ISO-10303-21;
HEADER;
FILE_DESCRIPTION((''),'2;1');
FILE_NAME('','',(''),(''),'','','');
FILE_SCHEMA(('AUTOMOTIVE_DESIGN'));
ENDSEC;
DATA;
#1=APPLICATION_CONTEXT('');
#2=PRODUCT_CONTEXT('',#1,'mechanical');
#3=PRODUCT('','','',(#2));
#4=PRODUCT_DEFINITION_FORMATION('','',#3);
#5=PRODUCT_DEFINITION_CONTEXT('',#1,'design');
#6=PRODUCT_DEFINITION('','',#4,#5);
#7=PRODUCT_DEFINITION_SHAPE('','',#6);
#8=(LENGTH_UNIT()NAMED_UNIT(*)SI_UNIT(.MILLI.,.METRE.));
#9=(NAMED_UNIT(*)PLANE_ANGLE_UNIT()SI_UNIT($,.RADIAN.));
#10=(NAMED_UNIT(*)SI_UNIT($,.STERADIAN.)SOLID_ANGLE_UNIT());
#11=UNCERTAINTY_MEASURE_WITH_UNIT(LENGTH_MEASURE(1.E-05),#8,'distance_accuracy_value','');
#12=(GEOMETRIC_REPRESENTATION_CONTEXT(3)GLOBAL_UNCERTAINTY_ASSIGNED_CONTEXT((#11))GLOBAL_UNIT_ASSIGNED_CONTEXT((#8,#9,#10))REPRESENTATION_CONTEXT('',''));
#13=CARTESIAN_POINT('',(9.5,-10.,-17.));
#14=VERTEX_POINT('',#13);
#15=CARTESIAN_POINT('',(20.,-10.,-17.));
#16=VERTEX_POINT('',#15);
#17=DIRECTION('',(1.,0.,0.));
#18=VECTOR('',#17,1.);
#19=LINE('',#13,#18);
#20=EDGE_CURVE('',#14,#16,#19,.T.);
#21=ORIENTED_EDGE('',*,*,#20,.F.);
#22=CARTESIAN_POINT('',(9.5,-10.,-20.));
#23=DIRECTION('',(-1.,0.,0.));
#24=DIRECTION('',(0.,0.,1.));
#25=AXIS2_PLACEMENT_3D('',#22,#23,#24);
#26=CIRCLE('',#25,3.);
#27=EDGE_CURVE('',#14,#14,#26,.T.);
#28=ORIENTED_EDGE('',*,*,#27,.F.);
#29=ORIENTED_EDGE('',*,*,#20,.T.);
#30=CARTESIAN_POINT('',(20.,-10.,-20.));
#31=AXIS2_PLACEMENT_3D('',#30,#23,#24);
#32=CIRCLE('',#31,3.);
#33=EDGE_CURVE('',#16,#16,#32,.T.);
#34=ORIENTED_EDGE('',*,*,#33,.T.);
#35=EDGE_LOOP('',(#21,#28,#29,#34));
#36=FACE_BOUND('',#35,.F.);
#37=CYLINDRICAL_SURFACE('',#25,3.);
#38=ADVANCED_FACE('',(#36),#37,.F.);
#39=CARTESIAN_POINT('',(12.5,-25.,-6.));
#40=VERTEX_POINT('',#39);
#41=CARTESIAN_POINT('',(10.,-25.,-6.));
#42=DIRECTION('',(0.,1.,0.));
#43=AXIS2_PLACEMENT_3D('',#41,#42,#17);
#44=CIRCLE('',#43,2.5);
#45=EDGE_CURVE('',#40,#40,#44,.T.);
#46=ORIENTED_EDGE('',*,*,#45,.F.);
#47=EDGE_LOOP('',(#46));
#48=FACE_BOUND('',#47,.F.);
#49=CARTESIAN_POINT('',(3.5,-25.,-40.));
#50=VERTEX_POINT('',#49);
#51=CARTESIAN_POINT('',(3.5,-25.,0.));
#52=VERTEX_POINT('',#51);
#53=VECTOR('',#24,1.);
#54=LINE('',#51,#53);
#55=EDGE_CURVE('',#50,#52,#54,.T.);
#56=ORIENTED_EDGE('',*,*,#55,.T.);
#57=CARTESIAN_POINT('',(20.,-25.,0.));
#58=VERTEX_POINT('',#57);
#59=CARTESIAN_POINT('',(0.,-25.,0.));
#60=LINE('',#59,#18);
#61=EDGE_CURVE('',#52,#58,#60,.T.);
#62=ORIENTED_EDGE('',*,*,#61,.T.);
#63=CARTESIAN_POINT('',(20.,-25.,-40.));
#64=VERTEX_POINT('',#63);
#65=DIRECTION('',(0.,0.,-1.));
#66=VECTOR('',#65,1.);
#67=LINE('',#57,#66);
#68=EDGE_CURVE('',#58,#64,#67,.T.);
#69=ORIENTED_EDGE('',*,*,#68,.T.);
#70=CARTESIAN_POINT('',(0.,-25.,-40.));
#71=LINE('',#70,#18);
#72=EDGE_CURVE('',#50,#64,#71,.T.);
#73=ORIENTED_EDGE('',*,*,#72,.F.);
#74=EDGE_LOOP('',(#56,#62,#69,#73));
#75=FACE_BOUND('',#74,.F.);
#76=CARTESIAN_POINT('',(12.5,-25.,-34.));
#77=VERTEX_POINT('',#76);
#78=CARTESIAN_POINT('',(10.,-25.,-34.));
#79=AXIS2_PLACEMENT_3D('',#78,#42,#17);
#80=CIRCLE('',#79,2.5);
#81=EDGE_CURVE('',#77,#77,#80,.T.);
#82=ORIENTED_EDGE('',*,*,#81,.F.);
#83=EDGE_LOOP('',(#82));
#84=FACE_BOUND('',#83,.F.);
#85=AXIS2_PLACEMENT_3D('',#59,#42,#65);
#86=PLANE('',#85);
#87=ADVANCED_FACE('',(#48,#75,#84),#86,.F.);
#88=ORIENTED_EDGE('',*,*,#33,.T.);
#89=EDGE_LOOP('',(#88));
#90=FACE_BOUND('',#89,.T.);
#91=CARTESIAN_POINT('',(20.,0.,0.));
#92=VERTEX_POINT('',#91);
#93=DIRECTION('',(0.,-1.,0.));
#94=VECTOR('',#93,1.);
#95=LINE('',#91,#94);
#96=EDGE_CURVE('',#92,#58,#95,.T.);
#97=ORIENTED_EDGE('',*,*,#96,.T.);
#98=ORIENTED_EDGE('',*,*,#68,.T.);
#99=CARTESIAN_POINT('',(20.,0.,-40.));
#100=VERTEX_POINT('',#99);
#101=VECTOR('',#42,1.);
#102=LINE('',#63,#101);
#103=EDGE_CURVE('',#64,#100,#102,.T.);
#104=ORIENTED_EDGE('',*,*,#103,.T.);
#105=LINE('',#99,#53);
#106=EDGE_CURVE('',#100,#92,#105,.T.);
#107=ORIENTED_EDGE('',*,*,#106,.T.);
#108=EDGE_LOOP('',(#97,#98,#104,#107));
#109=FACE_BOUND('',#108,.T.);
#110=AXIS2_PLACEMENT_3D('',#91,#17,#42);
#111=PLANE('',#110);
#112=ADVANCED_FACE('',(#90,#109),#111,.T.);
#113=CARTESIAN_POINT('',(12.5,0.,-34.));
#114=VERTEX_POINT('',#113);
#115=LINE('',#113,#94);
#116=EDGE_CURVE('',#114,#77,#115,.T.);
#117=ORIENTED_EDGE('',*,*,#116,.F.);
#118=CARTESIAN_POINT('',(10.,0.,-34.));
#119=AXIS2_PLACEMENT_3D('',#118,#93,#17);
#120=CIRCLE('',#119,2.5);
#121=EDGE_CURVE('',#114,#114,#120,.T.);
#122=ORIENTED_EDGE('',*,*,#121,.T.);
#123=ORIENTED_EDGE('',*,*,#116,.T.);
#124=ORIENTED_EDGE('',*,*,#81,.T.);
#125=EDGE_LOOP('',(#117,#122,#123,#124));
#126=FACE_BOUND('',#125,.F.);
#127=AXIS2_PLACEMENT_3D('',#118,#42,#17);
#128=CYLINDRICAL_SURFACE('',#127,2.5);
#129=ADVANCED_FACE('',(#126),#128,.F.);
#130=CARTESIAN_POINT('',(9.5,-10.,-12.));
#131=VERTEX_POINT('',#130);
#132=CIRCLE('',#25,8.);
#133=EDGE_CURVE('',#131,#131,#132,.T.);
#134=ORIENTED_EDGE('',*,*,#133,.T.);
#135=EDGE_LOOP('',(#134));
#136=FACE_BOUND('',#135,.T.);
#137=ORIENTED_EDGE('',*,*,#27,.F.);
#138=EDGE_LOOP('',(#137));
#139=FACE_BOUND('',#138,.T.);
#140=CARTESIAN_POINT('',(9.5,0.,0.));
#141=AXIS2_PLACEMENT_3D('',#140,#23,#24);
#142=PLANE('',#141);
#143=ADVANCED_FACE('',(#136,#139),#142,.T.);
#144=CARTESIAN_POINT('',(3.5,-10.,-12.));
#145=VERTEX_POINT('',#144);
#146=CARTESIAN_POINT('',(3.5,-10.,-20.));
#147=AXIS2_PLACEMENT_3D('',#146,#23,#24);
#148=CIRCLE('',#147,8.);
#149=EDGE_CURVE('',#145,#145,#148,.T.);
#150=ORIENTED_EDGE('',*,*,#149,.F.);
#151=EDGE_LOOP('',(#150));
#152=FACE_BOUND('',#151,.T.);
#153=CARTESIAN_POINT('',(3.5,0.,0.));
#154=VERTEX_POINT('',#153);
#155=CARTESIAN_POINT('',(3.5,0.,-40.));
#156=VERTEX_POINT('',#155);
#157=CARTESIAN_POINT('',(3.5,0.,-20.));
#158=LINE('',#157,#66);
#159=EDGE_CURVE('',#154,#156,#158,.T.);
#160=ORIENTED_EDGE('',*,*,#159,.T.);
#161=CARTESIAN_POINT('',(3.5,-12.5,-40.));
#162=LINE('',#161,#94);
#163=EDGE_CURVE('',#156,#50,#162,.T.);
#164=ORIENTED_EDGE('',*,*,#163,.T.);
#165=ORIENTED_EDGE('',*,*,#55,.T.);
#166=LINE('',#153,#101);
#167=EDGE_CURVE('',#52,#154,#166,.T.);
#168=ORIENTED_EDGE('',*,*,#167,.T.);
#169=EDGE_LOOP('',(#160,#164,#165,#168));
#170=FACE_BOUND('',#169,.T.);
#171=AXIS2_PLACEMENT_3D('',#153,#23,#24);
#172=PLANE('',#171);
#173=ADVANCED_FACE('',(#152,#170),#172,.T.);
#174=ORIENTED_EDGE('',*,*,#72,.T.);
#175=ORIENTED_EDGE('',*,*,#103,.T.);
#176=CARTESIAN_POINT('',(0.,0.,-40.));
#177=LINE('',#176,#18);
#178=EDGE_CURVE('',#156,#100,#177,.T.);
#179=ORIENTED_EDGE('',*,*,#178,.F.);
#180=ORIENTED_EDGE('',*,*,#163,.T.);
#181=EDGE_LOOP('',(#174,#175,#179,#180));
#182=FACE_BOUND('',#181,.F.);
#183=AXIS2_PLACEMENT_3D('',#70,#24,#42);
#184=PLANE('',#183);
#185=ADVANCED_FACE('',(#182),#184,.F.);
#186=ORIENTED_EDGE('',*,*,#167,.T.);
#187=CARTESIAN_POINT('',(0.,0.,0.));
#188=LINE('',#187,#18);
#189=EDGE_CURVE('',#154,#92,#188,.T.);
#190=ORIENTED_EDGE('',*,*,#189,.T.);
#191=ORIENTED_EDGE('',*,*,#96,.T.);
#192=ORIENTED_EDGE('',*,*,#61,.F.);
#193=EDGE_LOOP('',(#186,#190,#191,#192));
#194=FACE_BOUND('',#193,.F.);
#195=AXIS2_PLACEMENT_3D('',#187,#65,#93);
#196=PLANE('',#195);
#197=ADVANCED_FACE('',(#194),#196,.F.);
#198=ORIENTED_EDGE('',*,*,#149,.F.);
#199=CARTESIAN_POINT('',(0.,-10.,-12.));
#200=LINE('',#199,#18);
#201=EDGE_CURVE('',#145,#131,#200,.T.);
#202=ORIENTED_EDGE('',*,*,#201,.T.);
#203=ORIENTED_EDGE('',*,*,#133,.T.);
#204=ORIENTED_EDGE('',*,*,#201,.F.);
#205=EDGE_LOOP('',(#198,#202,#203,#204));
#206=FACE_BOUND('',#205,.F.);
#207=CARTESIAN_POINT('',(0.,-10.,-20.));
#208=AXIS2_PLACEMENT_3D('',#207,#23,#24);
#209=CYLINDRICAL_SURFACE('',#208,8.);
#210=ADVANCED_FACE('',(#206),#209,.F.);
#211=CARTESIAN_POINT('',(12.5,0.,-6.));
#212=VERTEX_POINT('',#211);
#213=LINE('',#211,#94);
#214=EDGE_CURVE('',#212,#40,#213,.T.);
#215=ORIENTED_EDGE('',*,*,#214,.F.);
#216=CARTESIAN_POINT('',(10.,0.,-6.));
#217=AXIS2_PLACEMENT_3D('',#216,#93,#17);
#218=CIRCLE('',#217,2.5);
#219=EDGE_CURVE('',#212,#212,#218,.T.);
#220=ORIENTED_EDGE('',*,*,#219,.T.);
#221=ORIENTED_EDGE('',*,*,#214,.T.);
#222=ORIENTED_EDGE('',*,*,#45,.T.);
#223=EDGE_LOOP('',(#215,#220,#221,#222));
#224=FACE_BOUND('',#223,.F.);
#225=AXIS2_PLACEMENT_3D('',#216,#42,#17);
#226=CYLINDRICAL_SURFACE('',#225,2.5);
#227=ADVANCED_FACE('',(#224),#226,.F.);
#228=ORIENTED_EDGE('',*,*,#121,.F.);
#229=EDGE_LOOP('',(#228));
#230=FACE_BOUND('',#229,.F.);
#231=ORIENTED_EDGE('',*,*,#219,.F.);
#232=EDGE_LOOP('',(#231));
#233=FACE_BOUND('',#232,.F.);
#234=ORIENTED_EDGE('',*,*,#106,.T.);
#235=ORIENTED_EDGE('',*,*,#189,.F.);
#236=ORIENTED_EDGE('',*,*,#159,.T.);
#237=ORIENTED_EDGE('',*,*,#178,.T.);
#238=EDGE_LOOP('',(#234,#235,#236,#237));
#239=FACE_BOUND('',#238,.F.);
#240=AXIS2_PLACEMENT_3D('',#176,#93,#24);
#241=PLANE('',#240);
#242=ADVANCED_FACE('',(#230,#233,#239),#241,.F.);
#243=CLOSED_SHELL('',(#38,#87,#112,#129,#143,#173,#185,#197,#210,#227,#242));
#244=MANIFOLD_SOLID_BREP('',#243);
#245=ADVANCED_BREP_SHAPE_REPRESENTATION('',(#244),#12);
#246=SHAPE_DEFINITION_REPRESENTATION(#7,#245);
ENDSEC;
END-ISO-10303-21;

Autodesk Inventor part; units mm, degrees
ref_plane "YZ Plane" through (0, 0, 0) normal (1, 0, 0) x (0, 1, 0)
ref_plane "XZ Plane" through (0, 0, 0) normal (0, 1, 0) x (-1, 0, 0)
ref_plane "XY Plane" through (0, 0, 0) normal (0, 0, 1) x (1, 0, 0)
sketch "Sketch1" plane through (0, 0, 0) normal (1, 0, 0) x (0, 1, 0)
  line L0 (0, 0) -> (-25, 0)
  line L1 (-25, 0) -> (-25, -40)
  line L2 (-25, -40) -> (0, -40)
  line L3 (0, -40) -> (0, 0)
  dimension "d0" = 25
  dimension "d1" = 40
extrude "Extrusion1" add sketch "Sketch1" along normal blind 20
sketch "Sketch2" plane through (20, 0, 0) normal (1, 0, 0) x (0, 0, -1)
  line L0 (0, 0) -> (20, 0)
  line L1 (40, 0) -> (0, 0) projected
  line L2 (20, 0) -> (20, -10)
  circle A0 centre (20, -10) radius 2.5
  dimension "d4" = 20
  dimension "d5" = 10
  dimension "d6" = 5
extrude "Extrusion2" cut sketch "Sketch2" against normal blind 20
sketch "Sketch3" plane through (0, 0, 0) normal (0, 1, 0) x (1, 0, 0)
  line L0 (0, 0) -> (20, 0) projected
  line L1 (0, 0) -> (10, 0)
  line L2 (10, 0) -> (10, 6)
  line L3 (0, 40) -> (10, 40)
  line L4 (0, 40) -> (20, 40) projected
  line L5 (10, 40) -> (10, 34)
  circle A0 centre (10, 6) radius 2.5
  circle A1 centre (10, 34) radius 2.5
  dimension "d9" = 10
  dimension "d10" = 6
  dimension "d11" = 6
  dimension "d12" = 5
  dimension "d13" = 5
extrude "Extrusion3" cut sketch "Sketch3" against normal through all
sketch "Sketch4" plane through (0, 0, 0) normal (-1, 0, 0) x (0, 0, 1)
  circle A0 centre (-20, -10) radius 2.5 projected
  circle A1 centre (-20, -10) radius 8
  point P0 (0, 0)
  dimension "d16" = 16
extrude "Extrusion4" cut sketch "Sketch4" against normal blind 9.5
sketch "Sketch5" plane through (9.5, -10, -20) normal (-1, 0, 0) x (0, 0, 1)
  circle A0 centre (0, 0) radius 3
  point P0 (20, 10)
  dimension "d19" = 6
extrude "Extrusion5" cut sketch "Sketch5" against normal through all
sketch "Sketch6" plane through (0, 0, 0) normal (-1, 0, 0) x (0, 0, 1)
  line L0 (-57.9528, 15.7727) -> (32.6208, 15.7727)
  line L1 (32.6208, 15.7727) -> (32.6208, -49.7079)
  line L2 (32.6208, -49.7079) -> (-57.9528, -49.7079)
  line L3 (-57.9528, -49.7079) -> (-57.9528, 15.7727)
  point P0 (0, 0)
extrude "Extrusion6" cut sketch "Sketch6" against normal blind 3.5
properties part number "linac_mover_upper_ax_holder"
